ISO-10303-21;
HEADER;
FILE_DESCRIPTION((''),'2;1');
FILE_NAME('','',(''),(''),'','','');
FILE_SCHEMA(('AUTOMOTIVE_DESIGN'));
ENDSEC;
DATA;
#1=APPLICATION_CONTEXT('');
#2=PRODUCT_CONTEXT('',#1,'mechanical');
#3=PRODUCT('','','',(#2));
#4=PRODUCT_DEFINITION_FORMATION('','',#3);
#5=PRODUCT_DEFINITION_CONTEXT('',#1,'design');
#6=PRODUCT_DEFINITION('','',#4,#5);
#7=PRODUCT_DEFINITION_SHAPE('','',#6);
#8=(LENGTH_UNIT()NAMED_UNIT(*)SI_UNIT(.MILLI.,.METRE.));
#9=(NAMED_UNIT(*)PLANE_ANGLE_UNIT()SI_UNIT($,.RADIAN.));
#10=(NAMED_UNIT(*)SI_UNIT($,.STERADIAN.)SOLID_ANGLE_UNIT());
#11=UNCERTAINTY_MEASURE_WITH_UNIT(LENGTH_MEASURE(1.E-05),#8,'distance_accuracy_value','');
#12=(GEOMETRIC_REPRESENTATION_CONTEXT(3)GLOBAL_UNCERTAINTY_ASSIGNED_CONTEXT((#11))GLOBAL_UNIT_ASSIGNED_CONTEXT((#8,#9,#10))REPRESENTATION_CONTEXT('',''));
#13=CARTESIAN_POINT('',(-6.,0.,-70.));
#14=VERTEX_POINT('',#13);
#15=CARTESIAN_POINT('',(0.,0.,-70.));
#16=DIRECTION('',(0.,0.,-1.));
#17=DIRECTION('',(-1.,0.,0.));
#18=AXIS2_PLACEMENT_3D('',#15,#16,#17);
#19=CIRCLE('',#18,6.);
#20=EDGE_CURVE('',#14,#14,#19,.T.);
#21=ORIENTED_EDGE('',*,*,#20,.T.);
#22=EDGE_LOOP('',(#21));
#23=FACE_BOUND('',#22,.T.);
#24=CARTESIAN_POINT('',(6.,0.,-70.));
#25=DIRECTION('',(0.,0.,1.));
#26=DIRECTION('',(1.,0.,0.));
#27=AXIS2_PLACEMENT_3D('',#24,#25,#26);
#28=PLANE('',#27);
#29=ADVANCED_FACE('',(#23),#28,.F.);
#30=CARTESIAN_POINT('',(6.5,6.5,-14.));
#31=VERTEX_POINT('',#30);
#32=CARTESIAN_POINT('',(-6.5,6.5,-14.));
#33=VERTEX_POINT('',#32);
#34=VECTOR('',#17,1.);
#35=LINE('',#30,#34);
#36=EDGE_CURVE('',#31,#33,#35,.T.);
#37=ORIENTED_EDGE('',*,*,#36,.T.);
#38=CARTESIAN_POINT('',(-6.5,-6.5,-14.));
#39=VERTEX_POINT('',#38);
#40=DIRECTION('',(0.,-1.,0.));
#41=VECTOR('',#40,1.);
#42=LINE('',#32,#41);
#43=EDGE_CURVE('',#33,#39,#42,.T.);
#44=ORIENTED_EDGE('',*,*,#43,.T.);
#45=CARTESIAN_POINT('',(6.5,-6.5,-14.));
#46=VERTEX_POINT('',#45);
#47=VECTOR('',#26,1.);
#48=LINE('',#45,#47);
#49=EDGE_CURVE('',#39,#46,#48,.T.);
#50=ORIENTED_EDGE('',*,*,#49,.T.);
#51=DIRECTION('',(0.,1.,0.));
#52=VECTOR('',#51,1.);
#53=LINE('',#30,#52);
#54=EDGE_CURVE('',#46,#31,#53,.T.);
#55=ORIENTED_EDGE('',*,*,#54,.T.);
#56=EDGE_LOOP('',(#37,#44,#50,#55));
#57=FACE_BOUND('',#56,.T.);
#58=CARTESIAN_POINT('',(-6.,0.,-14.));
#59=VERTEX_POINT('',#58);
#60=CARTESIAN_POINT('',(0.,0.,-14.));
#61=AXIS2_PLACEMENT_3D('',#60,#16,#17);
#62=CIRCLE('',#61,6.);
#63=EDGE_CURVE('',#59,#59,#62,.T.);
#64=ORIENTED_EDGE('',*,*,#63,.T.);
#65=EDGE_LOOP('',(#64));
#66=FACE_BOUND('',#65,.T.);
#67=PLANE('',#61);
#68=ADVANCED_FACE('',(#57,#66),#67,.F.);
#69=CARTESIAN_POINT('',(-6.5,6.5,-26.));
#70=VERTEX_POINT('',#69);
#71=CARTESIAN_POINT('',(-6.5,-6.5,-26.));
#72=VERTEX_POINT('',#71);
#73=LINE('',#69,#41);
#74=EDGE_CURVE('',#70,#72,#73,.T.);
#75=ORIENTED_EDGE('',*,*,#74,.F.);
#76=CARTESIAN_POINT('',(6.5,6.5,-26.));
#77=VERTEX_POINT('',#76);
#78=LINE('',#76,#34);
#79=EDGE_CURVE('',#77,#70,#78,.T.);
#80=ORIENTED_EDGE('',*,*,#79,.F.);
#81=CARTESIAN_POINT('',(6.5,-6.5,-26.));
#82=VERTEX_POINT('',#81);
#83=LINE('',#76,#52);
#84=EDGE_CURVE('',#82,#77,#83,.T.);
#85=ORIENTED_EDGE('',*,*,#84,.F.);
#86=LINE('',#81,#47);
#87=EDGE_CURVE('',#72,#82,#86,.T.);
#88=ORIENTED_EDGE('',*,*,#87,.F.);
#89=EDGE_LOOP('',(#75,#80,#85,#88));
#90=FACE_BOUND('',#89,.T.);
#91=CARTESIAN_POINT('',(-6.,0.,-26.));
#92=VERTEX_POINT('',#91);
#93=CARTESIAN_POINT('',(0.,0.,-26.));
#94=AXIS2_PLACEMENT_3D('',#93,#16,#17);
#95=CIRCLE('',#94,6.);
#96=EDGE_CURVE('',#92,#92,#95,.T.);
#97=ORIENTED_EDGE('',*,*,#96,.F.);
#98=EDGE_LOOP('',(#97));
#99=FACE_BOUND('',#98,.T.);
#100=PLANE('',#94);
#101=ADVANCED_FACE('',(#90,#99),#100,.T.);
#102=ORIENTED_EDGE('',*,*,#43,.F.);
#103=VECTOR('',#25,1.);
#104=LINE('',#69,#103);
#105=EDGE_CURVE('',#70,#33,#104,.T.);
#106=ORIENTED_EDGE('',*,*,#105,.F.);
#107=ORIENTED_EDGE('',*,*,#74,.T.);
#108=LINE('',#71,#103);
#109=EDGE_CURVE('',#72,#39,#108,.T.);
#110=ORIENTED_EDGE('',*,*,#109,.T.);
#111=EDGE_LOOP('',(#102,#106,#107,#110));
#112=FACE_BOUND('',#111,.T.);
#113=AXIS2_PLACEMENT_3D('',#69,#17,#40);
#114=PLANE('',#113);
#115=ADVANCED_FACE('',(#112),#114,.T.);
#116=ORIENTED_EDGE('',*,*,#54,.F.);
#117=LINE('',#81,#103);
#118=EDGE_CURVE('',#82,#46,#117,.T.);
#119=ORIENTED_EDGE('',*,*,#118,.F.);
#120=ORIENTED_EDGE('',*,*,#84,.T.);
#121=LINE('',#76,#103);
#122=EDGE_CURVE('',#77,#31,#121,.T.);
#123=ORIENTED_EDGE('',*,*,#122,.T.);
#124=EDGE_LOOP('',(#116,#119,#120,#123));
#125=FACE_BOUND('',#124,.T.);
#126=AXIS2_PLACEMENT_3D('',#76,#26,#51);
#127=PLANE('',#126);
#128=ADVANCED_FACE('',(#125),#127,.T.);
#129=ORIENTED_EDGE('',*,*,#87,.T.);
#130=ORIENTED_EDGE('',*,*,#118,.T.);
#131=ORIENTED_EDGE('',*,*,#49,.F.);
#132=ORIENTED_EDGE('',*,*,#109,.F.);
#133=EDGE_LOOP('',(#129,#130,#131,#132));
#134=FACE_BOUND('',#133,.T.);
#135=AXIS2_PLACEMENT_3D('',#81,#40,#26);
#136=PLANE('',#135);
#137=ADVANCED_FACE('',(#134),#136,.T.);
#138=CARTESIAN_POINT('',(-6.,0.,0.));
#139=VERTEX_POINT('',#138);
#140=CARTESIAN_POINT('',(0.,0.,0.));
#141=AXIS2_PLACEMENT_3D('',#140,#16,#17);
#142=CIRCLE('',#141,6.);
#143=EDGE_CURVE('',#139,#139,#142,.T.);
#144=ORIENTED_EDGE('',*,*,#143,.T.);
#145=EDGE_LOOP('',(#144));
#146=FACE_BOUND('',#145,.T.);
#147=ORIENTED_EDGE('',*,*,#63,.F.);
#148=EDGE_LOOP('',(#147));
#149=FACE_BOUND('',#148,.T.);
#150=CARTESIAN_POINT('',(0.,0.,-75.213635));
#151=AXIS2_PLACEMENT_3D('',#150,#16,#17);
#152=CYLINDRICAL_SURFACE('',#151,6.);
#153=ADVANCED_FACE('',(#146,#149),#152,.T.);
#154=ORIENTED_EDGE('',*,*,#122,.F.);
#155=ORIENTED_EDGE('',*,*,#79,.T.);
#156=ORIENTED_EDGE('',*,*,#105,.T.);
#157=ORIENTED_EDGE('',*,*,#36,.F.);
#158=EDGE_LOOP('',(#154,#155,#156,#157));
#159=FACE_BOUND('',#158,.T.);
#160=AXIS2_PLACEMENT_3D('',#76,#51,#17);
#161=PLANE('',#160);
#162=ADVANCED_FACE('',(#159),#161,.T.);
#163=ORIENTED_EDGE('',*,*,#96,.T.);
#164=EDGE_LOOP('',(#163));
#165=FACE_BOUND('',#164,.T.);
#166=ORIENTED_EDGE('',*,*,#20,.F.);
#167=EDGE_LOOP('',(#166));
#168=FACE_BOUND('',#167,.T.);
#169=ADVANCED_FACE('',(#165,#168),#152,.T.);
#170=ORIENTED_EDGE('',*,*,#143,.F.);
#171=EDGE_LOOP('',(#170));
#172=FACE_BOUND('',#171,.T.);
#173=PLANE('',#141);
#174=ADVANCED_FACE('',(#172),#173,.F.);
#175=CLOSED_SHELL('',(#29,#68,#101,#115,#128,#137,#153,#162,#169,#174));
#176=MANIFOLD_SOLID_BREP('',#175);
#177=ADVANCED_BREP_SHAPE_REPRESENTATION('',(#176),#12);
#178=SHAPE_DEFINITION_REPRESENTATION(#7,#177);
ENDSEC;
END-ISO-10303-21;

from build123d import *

# Parameters (mm, degrees)
SKETCH1_W           = 6
SKETCH1_H           = 70
SKETCH2_W           = 13
SKETCH2_H           = 13
BOSS_EXTRUDE1_DEPTH = 12


with BuildPart() as part:
    # Sketch1 → Revolve1 (revolve)
    with BuildSketch(Plane(origin=(0, 0, 0), x_dir=(1, 0, 0), z_dir=(0, 1, 0)), mode=Mode.PRIVATE) as revolve1_sk:
        with Locations((3, 35)):
            Rectangle(SKETCH1_W, SKETCH1_H)
    revolve(revolve1_sk.sketch.rotate(Axis((0, 0, -75.213634587), (0, 0, 1)), 180), axis=Axis((0, 0, -75.213634587), (0, 0, 1)))

    # Sketch2 → Boss-Extrude1 (add)
    with BuildSketch(Plane.XY.offset(-14)):
        Rectangle(SKETCH2_W, SKETCH2_H)
    extrude(amount=-BOSS_EXTRUDE1_DEPTH)


solid = part.part
